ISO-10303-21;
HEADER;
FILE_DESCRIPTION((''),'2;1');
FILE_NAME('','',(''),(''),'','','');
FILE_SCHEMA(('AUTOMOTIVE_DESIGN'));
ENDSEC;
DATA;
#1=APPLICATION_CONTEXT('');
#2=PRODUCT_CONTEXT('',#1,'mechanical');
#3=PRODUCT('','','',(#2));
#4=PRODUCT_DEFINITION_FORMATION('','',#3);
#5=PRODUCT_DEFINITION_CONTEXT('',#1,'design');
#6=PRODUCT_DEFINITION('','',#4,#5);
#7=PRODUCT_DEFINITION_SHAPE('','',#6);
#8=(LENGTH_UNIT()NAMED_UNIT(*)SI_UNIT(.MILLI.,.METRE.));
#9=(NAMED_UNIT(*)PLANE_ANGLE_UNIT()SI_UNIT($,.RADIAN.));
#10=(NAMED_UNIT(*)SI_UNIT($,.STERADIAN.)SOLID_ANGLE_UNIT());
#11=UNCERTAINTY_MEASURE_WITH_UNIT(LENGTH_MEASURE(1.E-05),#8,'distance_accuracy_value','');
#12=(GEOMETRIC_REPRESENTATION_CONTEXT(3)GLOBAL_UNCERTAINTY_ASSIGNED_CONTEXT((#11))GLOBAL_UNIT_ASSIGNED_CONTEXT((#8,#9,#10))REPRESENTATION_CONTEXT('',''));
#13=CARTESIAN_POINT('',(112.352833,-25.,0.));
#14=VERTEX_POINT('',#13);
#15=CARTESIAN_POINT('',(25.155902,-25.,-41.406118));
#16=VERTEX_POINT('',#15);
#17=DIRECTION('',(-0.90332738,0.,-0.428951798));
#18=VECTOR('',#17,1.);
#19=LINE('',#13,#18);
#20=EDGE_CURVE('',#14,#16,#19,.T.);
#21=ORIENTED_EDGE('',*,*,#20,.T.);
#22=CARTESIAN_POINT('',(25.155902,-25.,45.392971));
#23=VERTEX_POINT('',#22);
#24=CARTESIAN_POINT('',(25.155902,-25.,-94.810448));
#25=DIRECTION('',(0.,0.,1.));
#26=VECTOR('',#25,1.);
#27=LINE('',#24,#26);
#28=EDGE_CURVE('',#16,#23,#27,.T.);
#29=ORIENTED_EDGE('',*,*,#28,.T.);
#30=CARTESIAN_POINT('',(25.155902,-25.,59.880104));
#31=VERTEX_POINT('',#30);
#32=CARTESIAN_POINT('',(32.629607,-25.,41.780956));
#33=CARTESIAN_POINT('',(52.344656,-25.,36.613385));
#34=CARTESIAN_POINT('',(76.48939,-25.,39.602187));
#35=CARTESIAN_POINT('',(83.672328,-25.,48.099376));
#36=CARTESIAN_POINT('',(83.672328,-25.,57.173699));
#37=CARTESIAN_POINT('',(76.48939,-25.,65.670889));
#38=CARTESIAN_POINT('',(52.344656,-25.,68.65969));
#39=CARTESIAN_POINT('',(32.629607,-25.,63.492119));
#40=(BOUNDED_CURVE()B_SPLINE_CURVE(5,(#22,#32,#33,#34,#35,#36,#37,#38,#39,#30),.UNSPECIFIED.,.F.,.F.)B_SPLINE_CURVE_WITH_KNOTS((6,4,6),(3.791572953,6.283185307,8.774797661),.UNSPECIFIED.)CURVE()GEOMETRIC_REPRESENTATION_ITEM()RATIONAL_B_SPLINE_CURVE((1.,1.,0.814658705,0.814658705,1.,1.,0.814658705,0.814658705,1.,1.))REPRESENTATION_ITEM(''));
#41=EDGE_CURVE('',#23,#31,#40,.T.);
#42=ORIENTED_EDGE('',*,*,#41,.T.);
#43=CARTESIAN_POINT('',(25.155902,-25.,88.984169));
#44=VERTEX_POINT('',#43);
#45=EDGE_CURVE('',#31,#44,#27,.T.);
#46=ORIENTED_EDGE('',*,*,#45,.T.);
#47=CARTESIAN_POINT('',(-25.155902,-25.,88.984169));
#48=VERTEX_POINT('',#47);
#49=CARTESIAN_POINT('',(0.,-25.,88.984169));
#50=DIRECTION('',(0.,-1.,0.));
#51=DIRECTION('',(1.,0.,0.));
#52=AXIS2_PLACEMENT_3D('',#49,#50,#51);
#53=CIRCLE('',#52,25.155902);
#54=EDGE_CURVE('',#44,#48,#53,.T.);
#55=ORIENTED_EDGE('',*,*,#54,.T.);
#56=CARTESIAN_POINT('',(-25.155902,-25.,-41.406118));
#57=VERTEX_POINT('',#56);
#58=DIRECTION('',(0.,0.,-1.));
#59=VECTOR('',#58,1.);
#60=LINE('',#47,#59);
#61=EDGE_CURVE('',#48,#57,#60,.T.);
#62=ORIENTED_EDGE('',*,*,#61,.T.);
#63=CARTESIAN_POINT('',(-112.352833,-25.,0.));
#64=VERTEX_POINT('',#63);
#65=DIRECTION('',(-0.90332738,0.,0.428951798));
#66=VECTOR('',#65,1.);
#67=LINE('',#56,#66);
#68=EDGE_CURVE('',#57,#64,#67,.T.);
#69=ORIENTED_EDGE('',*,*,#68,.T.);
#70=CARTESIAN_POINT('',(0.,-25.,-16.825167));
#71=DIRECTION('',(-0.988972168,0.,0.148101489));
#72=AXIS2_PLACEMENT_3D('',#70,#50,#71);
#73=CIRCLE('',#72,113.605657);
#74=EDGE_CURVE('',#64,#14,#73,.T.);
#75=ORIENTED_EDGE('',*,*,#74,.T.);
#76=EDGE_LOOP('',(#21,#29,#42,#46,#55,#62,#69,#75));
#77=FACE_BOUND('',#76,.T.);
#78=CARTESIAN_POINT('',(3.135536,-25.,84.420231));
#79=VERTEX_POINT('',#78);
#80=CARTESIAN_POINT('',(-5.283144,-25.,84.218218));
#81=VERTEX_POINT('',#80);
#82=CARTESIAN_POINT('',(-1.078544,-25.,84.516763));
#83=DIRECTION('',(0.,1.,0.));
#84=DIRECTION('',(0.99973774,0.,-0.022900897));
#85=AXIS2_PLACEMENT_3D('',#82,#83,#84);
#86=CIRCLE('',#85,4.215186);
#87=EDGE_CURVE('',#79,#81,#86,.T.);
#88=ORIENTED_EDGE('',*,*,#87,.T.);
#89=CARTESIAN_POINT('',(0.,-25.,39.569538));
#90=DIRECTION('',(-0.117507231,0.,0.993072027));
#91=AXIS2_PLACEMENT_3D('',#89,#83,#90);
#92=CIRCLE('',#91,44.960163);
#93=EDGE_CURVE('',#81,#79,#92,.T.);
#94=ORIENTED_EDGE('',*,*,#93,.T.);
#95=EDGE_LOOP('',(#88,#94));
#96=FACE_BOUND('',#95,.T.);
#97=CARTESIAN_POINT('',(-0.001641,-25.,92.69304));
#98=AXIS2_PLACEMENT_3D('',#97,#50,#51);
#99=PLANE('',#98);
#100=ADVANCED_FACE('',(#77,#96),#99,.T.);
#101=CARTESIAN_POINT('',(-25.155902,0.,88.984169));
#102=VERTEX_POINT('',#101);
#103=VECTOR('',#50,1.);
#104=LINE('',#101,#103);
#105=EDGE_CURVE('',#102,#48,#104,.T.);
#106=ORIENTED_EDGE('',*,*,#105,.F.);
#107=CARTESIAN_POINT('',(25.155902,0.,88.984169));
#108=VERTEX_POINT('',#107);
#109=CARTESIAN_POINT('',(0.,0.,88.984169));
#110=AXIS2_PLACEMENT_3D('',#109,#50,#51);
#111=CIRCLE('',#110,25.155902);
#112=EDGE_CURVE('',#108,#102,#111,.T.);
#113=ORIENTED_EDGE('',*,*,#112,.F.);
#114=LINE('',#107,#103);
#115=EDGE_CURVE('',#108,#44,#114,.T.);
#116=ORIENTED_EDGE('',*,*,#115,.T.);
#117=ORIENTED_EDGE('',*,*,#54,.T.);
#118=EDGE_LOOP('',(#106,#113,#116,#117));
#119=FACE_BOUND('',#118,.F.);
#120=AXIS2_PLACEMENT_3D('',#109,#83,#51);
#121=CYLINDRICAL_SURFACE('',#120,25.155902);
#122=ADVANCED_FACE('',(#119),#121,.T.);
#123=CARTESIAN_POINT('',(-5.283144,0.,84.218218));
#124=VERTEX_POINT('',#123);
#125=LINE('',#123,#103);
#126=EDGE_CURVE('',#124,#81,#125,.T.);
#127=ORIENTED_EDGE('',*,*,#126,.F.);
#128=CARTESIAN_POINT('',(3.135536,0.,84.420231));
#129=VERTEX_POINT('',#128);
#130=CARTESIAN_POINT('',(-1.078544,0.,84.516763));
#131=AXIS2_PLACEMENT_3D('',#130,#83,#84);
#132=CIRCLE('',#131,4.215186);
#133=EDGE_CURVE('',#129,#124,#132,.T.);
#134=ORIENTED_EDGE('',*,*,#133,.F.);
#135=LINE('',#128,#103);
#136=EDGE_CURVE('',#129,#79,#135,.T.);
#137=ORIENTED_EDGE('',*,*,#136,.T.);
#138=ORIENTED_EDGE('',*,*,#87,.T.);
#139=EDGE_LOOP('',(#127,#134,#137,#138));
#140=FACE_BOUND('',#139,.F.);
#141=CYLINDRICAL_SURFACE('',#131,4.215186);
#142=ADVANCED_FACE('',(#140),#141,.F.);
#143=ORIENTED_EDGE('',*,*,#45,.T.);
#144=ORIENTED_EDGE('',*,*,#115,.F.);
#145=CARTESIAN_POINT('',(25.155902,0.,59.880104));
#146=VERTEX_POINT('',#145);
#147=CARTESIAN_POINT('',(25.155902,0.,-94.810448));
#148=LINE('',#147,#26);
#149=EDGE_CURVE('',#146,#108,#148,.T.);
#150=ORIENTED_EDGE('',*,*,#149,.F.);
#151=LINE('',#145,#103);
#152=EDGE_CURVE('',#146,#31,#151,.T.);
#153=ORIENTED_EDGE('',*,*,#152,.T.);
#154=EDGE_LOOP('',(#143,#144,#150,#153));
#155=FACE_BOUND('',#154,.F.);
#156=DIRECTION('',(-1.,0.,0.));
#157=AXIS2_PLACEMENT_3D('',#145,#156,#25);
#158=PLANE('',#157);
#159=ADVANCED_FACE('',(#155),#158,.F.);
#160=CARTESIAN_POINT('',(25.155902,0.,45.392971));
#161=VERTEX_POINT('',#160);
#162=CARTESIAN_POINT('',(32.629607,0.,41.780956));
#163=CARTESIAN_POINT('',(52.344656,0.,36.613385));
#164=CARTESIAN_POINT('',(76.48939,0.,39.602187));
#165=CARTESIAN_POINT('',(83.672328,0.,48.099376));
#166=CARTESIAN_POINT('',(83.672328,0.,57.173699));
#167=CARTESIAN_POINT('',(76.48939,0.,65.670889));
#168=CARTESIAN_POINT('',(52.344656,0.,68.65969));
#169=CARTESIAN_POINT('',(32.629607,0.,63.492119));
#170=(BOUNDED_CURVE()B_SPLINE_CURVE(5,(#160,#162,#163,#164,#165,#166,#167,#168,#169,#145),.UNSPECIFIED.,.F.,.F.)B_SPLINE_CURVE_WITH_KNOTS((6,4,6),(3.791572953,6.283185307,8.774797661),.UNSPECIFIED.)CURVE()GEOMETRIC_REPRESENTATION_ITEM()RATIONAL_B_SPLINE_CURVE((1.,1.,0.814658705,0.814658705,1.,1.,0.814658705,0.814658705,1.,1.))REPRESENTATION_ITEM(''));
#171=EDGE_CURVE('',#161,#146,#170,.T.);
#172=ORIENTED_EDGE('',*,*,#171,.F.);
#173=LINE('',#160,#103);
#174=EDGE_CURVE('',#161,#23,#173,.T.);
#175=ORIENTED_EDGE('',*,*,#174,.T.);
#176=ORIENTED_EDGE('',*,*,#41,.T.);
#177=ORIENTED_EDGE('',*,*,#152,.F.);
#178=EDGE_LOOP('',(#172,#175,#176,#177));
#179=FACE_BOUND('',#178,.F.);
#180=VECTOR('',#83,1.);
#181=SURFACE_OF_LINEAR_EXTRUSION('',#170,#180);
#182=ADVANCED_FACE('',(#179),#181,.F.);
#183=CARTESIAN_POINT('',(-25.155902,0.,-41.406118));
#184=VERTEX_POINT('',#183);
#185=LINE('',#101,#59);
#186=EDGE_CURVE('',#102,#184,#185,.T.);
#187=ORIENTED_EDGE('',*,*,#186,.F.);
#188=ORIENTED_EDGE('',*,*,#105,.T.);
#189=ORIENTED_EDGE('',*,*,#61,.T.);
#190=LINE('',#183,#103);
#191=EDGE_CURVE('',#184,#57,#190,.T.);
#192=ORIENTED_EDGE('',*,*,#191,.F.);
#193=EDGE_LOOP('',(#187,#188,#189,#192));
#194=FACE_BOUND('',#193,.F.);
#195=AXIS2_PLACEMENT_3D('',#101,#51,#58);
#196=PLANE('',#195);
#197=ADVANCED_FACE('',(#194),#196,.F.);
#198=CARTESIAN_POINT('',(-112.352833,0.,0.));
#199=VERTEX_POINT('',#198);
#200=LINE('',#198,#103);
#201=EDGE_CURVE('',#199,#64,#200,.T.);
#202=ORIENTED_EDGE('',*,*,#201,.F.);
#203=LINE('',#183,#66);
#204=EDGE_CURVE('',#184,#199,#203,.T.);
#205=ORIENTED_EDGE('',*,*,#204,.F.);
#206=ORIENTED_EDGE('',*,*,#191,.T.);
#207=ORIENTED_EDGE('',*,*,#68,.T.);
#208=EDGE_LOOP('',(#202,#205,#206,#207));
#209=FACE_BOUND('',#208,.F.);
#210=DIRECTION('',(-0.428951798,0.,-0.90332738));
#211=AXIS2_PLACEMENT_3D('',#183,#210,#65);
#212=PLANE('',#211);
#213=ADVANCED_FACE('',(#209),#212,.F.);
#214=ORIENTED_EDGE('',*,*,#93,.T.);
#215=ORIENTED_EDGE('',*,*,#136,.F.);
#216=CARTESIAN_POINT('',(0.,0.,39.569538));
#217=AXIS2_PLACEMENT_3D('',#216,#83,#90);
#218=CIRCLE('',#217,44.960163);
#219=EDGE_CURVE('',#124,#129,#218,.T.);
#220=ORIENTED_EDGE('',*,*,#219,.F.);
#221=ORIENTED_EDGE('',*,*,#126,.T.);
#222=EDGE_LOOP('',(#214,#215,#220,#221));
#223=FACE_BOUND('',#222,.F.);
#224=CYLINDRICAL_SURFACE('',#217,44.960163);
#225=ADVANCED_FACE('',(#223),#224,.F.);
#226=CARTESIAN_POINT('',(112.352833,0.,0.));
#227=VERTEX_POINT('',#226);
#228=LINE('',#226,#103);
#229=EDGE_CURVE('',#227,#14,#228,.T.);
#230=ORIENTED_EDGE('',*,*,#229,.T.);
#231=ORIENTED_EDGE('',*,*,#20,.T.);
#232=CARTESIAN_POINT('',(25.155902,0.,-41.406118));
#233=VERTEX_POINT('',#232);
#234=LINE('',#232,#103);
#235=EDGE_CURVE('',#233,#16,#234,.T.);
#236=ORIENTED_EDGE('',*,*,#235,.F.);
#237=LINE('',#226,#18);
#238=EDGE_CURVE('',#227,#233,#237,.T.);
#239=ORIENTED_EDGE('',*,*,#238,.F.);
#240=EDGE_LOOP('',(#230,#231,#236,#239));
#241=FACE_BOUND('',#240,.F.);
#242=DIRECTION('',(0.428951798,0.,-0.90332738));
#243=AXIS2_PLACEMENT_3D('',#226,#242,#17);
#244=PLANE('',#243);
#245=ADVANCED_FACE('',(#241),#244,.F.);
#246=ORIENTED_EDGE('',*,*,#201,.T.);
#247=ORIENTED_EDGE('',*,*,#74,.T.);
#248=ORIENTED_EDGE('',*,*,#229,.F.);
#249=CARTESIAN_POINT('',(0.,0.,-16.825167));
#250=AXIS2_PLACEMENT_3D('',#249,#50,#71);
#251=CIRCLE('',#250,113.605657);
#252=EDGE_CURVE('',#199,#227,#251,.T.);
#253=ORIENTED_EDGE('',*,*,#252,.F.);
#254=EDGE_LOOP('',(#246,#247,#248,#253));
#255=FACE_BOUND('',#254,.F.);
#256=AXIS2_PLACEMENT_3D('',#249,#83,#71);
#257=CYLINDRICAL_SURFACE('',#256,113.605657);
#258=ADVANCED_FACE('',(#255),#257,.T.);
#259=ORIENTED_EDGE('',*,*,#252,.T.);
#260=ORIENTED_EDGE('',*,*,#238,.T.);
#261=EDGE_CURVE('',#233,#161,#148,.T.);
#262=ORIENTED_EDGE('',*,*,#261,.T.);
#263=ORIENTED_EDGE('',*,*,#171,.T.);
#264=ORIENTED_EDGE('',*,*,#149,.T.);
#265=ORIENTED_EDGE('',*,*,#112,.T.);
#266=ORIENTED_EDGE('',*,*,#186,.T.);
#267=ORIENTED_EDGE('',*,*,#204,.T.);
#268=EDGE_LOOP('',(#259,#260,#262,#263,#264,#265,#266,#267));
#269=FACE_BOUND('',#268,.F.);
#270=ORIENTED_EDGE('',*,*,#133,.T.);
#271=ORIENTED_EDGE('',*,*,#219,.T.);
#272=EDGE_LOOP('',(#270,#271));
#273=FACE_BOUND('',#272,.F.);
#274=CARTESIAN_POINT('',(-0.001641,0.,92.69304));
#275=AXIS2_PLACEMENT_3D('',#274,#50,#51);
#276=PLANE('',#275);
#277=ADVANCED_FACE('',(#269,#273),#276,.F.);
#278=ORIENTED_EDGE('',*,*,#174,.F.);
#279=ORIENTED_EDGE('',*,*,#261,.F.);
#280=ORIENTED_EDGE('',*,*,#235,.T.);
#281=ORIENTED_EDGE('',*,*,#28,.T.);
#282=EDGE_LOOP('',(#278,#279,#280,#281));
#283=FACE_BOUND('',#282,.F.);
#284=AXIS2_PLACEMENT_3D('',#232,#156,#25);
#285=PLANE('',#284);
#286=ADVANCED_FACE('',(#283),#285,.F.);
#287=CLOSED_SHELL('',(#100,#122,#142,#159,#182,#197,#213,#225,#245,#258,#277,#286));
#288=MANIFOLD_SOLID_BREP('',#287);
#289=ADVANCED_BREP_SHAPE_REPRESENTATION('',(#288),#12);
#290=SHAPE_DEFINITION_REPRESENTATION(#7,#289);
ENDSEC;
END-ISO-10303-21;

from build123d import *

# Parameters (mm, degrees)
F1_DEPTH = 25


with BuildPart() as f1:
    # F0 (on Front) → F1 (new body)
    with BuildSketch(Plane.XZ):
        with BuildLine():
            ThreePointArc((25.1559019089, 88.984169066), (0, 114.1400709748), (-25.1559019089, 88.984169066))
            Line((-25.1559019089, 88.984169066), (-25.1559019089, 76.8334195018))
            ThreePointArc((-25.1559019089, 76.8334195018), (-15.6610247512, 81.7139156798), (-5.2831442587, 84.2182183103))
            ThreePointArc((-5.2831442587, 84.2182183103), (-1.078544027, 84.5167627146), (3.1355363629, 84.420231177))
            ThreePointArc((3.1355363629, 84.420231177), (14.6455214219, 82.0774780655), (25.1559019089, 76.8334195018))
            Line((25.1559019089, 76.8334195018), (25.1559019089, 88.984169066))
        make_face()
        with BuildLine():
            ThreePointArc((25.1559019089, 76.8334195018), (0, 69.6634476444), (-25.1559019089, 76.8334195018))
            Line((-25.1559019089, 76.8334195018), (-25.1559019089, -41.4061183914))
            Line((-25.1559019089, -41.4061183914), (-25.1559019089, -94.8104477549))
            ThreePointArc((-25.1559019089, -94.8104477549), (0, -98.6809780207), (25.1559019089, -94.8104477549))
            Line((25.1559019089, -94.8104477549), (25.1559019089, -41.4061183914))
            Line((25.1559019089, -41.4061183914), (25.1559019089, 45.3929714859))
            Line((25.1559019089, 45.3929714859), (25.1559019089, 52.6365377009))
            Line((25.1559019089, 52.6365377009), (25.1559019089, 59.8801039159))
            Line((25.1559019089, 59.8801039159), (25.1559019089, 76.8334195018))
        make_face()
        with BuildLine():
            ThreePointArc((-5.2831442587, 84.2182183103), (-15.6610247512, 81.7139156798), (-25.1559019089, 76.8334195018))
            ThreePointArc((-25.1559019089, 76.8334195018), (0, 69.6634476444), (25.1559019089, 76.8334195018))
            ThreePointArc((25.1559019089, 76.8334195018), (14.6455214219, 82.0774780655), (3.1355363629, 84.420231177))
            ThreePointArc((3.1355363629, 84.420231177), (-0.9774264324, 80.3027898739), (-5.2831442587, 84.2182183103))
        make_face()
        with BuildLine():
            Line((-25.1559019089, -94.8104477549), (-25.1559019089, -41.4061183914))
            Line((-25.1559019089, -41.4061183914), (-83.6723277039, -13.6191536465))
            ThreePointArc((-83.6723277039, -13.6191536465), (-67.8888978399, -63.9263855466), (-25.1559019089, -94.8104477549))
        make_face()
        with BuildLine():
            ThreePointArc((25.1559019089, -94.8104477549), (0, -98.6809780207), (-25.1559019089, -94.8104477549))
            ThreePointArc((-25.1559019089, -94.8104477549), (-67.8888978399, -63.9263855466), (-83.6723277039, -13.6191536465))
            Line((-83.6723277039, -13.6191536465), (-112.3528331518, 0))
            ThreePointArc((-112.3528331518, 0), (0, -130.4308243006), (112.3528331518, 0))
            Line((112.3528331518, 0), (83.6723277039, -13.6191536465))
            ThreePointArc((83.6723277039, -13.6191536465), (67.8888978399, -63.9263855466), (25.1559019089, -94.8104477549))
        make_face()
        with BuildLine():
            add(Edge.make_bspline(
                [(83.6723277039, 52.6365377009), (83.6723277039, 88.1608839307), (25.1559019089, 59.8801039159)],
                knots=[0, 0, 0, 2.4916123538, 2.4916123538, 2.4916123538], degree=2, weights=[1, 0.3192994514, 1]))
            Line((25.1559019089, 59.8801039159), (25.1559019089, 52.6365377009))
            Line((25.1559019089, 52.6365377009), (83.6723277039, 52.6365377009))
        make_face()
        with BuildLine():
            Line((25.1559019089, -41.4061183914), (25.1559019089, -94.8104477549))
            ThreePointArc((25.1559019089, -94.8104477549), (67.8888978399, -63.9263855466), (83.6723277039, -13.6191536465))
            Line((83.6723277039, -13.6191536465), (25.1559019089, -41.4061183914))
        make_face()
        with BuildLine():
            Line((83.6723277039, 52.6365377009), (25.1559019089, 52.6365377009))
            Line((25.1559019089, 52.6365377009), (25.1559019089, 45.3929714859))
            add(Edge.make_bspline(
                [(25.1559019089, 45.3929714859), (83.6723277039, 17.1121914711), (83.6723277039, 52.6365377009)],
                knots=[3.7915729533, 3.7915729533, 3.7915729533, 6.2831853072, 6.2831853072, 6.2831853072], degree=2, weights=[1, 0.3192994514, 1]))
        make_face()
    extrude(amount=F1_DEPTH)


solid = f1.part
